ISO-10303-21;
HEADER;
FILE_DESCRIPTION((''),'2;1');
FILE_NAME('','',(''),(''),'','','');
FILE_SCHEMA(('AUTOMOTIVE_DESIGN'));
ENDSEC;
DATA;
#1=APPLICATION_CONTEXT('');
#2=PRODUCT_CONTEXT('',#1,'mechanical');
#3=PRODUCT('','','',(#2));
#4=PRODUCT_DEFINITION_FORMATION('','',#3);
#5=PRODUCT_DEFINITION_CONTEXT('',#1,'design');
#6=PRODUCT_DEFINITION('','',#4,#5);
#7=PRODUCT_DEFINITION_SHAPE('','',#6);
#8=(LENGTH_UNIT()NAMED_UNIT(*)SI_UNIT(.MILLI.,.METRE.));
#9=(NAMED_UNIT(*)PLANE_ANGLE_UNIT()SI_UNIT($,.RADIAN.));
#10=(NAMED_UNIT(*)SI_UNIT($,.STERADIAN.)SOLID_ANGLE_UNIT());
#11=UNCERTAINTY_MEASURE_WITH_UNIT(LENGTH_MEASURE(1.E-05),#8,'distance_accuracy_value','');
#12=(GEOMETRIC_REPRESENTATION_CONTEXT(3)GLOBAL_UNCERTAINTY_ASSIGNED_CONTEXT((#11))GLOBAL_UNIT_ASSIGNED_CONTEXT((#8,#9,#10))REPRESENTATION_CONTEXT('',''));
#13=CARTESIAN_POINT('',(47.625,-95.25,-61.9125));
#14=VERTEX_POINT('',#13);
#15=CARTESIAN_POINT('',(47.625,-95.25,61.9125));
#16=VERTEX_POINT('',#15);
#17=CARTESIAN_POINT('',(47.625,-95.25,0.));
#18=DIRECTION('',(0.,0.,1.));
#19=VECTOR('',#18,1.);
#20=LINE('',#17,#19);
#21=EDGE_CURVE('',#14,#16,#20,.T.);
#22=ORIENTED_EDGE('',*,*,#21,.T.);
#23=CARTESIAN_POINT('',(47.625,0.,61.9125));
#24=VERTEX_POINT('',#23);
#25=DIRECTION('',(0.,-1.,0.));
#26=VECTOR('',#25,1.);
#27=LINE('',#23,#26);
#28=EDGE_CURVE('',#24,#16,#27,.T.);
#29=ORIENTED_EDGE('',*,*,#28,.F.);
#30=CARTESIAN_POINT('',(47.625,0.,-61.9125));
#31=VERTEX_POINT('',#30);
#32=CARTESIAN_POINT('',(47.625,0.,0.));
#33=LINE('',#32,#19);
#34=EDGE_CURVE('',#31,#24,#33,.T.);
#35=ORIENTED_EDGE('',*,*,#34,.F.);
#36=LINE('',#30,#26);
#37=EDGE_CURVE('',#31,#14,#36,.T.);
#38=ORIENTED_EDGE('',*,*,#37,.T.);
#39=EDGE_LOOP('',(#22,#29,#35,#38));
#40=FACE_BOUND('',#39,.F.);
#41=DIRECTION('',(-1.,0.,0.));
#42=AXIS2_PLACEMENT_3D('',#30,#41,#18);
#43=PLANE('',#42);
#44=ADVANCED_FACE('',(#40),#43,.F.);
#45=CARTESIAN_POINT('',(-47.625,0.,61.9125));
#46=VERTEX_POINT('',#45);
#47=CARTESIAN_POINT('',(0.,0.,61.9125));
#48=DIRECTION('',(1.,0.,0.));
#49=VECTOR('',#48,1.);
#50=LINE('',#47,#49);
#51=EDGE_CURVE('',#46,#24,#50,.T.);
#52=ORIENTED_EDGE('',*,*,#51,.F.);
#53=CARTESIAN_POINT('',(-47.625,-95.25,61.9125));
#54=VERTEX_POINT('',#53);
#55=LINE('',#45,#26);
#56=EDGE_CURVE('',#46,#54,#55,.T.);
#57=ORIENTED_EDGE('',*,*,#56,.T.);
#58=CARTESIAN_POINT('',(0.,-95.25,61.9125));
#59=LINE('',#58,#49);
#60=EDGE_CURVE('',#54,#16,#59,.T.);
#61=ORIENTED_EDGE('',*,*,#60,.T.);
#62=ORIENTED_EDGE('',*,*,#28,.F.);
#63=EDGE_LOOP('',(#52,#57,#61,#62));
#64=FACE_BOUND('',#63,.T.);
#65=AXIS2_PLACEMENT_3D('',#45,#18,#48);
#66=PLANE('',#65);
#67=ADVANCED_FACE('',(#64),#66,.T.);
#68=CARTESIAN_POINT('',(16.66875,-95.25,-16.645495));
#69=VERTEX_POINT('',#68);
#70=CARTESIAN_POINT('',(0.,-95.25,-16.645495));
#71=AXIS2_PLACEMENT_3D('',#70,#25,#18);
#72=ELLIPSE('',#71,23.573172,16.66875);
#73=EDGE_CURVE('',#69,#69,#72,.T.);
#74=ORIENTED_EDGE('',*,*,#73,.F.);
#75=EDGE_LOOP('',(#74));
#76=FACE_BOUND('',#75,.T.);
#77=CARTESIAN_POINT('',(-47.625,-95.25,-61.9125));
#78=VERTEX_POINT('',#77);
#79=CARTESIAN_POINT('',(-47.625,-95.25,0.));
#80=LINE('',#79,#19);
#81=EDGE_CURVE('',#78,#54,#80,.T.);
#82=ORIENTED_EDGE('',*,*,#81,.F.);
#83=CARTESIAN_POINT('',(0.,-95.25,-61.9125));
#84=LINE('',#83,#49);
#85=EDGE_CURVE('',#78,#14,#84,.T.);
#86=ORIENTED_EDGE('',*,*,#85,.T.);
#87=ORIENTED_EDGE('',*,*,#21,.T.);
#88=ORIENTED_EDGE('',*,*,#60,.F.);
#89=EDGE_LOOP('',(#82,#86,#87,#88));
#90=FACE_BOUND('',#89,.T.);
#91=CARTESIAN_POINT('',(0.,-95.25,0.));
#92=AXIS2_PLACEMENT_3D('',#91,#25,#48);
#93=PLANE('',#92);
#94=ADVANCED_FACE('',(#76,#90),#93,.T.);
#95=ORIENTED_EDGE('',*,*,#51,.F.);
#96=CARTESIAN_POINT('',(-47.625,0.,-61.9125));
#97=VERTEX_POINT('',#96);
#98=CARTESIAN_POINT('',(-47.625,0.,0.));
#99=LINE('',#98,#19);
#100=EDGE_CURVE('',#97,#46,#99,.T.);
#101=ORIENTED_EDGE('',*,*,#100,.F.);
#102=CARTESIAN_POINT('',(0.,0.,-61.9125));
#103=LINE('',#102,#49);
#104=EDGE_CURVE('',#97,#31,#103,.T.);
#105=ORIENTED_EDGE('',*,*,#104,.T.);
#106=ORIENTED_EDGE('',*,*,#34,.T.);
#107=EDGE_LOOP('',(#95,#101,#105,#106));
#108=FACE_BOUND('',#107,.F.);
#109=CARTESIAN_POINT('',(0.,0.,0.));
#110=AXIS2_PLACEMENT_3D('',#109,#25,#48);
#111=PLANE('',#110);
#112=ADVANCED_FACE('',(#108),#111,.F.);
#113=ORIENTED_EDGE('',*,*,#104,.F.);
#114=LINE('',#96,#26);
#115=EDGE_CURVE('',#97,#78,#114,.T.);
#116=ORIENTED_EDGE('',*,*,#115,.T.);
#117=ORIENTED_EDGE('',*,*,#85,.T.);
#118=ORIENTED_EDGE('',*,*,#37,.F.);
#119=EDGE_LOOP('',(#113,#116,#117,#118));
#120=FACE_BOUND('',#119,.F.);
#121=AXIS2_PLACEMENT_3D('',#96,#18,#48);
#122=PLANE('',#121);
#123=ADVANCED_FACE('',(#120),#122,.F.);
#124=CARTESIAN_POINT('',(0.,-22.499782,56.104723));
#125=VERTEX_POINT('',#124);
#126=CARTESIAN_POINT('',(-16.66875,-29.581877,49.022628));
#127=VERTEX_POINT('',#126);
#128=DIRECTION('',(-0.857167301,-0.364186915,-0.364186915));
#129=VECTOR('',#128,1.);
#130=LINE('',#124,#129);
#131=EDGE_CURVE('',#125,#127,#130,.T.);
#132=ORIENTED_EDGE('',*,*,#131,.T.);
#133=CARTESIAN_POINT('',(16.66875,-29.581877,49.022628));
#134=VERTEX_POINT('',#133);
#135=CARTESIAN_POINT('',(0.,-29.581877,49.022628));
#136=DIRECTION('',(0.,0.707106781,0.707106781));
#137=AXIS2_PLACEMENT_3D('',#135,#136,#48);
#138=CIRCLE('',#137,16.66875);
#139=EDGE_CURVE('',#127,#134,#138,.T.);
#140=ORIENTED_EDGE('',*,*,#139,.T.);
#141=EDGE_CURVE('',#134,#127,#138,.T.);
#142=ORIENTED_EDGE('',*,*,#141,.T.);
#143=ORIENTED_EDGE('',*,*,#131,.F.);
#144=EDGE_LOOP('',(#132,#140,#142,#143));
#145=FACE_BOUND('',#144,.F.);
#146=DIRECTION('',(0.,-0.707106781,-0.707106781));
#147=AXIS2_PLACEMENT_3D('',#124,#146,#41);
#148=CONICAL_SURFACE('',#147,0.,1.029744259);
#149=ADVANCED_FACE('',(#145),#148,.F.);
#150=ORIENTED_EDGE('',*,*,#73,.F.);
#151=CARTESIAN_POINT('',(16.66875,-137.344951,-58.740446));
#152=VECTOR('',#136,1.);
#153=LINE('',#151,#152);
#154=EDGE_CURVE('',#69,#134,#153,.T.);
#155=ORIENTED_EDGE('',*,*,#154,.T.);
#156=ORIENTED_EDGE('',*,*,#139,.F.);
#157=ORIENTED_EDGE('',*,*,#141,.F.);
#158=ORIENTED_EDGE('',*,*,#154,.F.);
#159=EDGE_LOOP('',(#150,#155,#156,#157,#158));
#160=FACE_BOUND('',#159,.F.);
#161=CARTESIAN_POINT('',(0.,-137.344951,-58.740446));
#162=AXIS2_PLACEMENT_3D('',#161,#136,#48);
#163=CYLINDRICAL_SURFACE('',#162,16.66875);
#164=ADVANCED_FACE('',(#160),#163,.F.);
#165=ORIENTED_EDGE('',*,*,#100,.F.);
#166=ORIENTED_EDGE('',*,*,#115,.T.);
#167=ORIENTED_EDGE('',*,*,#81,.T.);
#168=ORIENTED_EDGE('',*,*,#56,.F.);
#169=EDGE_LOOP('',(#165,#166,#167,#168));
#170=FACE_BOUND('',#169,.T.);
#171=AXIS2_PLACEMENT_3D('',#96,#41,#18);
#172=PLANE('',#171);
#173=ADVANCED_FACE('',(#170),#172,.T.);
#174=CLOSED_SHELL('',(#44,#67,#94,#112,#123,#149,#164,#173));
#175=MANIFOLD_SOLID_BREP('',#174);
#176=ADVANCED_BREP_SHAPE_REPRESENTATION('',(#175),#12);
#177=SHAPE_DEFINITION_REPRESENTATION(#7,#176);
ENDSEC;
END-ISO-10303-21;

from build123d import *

# Parameters (mm, degrees)
F0_W     = 95.25
F0_H     = 123.825
F1_DEPTH = 95.25
F5_D     = 33.3375
F5_DEPTH = 76.2
F5_START = 48.677356
F5_TIP   = 10.0155954434


with BuildPart() as f1:
    # F0 (on Front) → F1 (new body)
    with BuildSketch(Plane.XZ):
        Rectangle(F0_W, F0_H)
    extrude(amount=F1_DEPTH)

    # F5
    # its depths count from where the whole tool has entered the part; down to there all is cleared
    with Locations(Plane(origin=(0, -78.58125, -78.58125), x_dir=(-1, 0, 0), z_dir=(0, -0.7071067812, -0.7071067812)).offset(-F5_START)):
        with Locations((0, -55.5817782879)):
            Hole(F5_D / 2, depth=F5_DEPTH)
            with Locations((0, 0, -(F5_DEPTH + F5_TIP / 2))):  # 118° drill point
                Cone(0, F5_D / 2, F5_TIP, mode=Mode.SUBTRACT)


solid = f1.part
